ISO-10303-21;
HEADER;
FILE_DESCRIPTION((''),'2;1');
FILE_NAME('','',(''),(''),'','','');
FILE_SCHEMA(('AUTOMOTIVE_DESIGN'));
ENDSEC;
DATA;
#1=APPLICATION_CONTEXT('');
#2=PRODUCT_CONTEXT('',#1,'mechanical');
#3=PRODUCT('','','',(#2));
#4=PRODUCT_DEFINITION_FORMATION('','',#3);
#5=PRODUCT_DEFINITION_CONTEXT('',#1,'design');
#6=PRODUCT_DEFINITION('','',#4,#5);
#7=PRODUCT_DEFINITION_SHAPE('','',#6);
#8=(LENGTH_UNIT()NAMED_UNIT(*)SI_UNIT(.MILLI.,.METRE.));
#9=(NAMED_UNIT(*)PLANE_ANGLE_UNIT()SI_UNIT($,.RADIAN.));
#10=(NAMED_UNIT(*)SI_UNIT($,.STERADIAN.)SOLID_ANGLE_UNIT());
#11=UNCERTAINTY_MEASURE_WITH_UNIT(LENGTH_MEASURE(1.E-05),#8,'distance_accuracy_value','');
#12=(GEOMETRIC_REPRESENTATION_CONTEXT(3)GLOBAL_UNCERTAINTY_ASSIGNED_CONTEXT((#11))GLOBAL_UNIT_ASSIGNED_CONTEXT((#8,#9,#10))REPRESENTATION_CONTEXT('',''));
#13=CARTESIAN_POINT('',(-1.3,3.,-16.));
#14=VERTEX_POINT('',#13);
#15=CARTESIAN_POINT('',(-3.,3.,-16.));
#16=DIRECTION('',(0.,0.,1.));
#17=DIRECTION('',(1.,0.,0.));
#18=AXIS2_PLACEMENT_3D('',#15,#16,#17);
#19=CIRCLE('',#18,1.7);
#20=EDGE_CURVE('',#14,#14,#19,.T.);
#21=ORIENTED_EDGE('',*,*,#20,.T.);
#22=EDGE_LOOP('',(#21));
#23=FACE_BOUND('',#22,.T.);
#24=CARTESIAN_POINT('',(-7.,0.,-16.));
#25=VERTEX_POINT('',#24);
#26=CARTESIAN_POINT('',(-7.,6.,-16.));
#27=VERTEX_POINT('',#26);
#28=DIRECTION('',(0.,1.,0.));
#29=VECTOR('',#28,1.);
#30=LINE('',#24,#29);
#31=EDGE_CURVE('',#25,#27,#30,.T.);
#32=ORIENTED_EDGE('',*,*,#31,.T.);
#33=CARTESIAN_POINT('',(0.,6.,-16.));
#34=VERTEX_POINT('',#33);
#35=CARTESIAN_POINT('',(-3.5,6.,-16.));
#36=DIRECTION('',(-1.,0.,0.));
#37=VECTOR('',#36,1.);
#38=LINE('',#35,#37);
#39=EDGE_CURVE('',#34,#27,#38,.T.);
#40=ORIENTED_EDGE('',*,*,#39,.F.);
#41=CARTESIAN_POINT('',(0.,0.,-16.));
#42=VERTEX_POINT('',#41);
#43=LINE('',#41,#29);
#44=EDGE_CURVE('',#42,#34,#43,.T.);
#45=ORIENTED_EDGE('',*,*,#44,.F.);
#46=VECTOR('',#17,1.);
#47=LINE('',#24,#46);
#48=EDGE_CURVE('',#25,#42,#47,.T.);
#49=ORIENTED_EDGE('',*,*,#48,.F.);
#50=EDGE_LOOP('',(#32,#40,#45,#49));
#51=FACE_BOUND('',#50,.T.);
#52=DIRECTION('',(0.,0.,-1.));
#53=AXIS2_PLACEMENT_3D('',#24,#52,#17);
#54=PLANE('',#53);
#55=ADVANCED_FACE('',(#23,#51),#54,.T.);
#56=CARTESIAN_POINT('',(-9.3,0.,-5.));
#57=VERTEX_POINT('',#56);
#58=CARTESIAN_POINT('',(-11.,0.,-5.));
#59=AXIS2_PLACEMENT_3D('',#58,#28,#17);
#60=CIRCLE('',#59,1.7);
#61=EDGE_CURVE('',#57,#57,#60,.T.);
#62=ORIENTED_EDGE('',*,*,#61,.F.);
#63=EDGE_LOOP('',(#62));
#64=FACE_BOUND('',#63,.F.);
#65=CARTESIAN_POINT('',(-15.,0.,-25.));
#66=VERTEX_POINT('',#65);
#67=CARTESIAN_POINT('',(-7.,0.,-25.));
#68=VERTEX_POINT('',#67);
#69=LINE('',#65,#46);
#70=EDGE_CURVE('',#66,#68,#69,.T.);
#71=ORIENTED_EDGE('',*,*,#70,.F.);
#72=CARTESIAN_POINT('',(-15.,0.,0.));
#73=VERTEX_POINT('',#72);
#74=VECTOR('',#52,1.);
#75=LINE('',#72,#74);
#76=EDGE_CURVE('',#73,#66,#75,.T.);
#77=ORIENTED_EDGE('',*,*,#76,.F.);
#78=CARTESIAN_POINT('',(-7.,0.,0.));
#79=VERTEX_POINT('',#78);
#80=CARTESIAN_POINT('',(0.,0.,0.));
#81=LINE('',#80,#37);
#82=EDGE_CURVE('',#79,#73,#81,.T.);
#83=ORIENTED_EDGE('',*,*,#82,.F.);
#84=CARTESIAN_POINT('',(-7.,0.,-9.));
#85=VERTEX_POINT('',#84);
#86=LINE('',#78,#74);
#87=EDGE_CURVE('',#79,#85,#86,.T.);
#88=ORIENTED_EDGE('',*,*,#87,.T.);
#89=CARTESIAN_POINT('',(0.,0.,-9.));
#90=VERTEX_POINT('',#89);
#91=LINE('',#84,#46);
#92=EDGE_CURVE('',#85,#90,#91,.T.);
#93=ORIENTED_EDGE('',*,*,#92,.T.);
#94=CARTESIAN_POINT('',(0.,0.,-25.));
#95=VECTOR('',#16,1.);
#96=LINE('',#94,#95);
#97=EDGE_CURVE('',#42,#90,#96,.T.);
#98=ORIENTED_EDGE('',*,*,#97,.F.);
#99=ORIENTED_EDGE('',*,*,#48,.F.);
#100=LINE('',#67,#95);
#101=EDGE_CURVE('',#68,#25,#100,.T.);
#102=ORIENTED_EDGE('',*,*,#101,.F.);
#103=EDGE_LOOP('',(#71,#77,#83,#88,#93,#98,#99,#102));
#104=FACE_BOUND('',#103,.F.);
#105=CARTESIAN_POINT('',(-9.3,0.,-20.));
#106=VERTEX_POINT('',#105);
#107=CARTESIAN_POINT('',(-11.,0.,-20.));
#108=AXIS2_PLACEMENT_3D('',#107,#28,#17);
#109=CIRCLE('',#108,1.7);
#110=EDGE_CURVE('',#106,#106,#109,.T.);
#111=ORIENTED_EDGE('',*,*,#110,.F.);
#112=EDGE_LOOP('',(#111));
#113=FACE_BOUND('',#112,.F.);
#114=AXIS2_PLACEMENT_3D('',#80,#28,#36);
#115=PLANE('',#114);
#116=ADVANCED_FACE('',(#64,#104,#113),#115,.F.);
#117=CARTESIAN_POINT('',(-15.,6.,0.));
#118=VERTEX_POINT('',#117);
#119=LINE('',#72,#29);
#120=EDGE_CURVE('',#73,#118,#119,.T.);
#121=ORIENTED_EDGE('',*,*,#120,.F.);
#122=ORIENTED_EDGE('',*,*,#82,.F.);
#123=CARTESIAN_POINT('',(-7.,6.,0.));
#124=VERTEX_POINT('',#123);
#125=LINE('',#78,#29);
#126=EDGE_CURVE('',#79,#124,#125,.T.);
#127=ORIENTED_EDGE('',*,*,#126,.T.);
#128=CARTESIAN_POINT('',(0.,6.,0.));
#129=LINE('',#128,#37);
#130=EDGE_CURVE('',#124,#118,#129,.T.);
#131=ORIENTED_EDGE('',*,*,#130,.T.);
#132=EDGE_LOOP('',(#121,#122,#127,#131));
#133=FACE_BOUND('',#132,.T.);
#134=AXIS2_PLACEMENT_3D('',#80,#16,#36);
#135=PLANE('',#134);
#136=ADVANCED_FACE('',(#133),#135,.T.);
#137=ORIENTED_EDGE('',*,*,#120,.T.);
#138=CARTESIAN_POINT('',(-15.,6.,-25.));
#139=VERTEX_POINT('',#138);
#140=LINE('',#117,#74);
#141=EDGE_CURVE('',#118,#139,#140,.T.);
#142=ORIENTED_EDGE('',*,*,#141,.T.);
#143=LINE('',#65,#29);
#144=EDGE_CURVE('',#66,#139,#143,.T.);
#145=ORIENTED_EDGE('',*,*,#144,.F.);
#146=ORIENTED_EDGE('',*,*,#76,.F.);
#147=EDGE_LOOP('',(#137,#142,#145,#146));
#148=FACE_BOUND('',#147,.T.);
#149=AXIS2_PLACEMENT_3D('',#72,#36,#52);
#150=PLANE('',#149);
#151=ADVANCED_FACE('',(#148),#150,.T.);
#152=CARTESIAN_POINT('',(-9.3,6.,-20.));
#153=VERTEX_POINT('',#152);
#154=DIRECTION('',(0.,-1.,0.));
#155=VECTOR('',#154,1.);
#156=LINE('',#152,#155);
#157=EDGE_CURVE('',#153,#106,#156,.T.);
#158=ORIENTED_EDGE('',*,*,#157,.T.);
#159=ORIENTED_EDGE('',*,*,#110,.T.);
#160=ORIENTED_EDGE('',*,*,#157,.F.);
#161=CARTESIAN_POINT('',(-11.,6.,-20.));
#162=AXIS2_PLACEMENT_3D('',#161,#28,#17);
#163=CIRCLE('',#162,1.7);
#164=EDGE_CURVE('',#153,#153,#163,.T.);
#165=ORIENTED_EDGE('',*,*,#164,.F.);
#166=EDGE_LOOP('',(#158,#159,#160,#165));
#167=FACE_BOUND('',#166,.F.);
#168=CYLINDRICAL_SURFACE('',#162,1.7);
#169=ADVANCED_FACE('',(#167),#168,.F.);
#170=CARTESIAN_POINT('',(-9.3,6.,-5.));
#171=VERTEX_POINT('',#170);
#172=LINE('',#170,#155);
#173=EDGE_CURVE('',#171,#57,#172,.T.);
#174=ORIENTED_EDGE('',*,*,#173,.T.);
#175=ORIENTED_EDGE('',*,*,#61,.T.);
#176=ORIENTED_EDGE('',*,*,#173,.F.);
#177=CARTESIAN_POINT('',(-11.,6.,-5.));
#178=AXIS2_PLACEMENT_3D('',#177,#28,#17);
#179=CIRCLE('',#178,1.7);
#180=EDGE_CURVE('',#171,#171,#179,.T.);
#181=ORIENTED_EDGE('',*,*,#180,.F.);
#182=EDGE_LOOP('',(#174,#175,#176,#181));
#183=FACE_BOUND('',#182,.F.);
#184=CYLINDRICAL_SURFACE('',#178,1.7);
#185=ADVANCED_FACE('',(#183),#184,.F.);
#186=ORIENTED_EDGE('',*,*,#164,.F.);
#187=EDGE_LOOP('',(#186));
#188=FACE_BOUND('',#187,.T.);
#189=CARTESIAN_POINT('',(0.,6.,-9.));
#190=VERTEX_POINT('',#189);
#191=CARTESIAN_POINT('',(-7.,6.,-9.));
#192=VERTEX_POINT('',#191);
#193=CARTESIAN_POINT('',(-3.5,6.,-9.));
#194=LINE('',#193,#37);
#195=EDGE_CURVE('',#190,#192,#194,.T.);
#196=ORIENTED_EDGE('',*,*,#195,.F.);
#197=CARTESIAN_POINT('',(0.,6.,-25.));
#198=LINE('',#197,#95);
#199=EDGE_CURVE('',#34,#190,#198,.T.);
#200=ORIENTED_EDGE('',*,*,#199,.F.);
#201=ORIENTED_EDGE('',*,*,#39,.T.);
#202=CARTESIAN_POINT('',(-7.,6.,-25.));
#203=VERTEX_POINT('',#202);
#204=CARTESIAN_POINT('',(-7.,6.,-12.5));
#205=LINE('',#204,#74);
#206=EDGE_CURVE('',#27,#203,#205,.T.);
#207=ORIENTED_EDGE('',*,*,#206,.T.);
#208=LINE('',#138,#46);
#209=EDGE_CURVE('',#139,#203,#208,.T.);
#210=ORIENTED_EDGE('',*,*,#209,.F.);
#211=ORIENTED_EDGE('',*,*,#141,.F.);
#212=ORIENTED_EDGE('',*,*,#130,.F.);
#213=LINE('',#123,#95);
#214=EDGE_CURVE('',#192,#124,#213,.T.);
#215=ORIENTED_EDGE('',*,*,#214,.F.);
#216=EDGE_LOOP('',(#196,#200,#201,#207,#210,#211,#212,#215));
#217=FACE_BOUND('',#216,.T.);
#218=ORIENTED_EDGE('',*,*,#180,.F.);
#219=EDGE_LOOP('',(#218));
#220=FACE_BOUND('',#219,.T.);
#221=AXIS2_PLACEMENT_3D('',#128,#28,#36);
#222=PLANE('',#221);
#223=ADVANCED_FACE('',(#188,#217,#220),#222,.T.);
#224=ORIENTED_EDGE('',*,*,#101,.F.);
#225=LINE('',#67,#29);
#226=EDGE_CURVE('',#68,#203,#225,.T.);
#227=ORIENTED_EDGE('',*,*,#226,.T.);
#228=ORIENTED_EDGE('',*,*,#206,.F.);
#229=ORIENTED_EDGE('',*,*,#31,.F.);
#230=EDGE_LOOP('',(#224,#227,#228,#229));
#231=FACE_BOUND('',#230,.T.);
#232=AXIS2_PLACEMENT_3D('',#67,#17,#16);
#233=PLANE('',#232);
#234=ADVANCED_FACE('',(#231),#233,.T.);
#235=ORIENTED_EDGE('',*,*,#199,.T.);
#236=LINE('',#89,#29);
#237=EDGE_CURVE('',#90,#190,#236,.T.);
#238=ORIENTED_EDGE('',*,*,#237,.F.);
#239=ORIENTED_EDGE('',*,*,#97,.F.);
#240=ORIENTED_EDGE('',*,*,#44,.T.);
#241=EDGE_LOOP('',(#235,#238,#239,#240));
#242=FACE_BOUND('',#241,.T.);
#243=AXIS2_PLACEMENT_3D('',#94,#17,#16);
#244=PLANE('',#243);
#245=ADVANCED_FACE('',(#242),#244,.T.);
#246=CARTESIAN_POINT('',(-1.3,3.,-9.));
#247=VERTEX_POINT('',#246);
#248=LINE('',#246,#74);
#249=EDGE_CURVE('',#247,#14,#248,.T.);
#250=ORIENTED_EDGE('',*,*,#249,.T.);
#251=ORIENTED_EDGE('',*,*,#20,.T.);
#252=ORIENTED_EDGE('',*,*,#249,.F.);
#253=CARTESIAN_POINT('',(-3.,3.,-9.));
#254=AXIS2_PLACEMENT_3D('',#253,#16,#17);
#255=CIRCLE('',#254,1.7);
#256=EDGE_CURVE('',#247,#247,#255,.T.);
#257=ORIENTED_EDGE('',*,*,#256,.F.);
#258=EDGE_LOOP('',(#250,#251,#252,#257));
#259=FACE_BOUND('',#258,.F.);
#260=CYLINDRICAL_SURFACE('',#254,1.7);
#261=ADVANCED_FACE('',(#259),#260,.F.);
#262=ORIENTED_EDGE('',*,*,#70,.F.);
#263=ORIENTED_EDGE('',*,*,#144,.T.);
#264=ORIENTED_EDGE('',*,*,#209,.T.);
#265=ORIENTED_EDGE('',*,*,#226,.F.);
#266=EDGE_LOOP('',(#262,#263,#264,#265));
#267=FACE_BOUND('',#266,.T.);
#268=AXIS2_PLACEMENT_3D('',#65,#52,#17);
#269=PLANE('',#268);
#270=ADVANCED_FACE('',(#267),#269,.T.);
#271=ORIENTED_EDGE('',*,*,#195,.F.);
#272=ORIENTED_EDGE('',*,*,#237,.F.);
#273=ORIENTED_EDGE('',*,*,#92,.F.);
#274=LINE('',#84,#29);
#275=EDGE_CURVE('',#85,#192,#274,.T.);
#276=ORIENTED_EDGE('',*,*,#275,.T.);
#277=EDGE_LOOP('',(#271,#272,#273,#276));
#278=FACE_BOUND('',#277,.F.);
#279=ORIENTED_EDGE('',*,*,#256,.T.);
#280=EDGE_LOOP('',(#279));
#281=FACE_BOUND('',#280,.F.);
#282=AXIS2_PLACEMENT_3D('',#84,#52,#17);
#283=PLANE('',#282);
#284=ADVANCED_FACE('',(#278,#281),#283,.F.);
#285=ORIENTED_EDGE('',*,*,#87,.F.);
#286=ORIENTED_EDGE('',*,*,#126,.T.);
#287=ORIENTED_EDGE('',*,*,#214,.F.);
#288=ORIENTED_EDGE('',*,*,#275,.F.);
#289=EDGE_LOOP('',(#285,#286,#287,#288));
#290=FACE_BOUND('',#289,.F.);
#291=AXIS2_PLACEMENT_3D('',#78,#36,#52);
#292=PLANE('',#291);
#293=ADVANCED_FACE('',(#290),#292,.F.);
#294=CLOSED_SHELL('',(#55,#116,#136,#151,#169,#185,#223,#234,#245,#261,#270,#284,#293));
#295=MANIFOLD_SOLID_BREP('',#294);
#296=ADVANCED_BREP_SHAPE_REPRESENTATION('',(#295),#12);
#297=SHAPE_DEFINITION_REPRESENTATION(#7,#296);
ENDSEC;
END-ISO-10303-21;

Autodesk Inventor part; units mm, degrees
ref_plane "YZ Plane" through (0, 0, 0) normal (1, 0, 0) x (0, 1, 0)
ref_plane "XZ Plane" through (0, 0, 0) normal (0, 1, 0) x (-1, 0, 0)
ref_plane "XY Plane" through (0, 0, 0) normal (0, 0, 1) x (1, 0, 0)
sketch "Skizze1" plane through (0, 0, 0) normal (0, 1, 0) x (-1, 0, 0)
  line L0 (0, 0) -> (15, 0)
  line L1 (15, 0) -> (15, -25)
  line L2 (15, -25) -> (0, -25)
  line L3 (0, -25) -> (0, 0)
  dimension "d0" = 25
  dimension "d1" = 15
extrude "Extrusion1" add sketch "Skizze1" along normal blind 6
sketch "Skizze3" plane through (0, 0, -25) normal (0, 0, -1) x (-1, 0, 0)
  point P0 (0, 0)
sketch "Skizze6" plane through (0, 6, 0) normal (0, 1, 0) x (1, 0, 0)
  circle A0 centre (-11, 5) radius 1.7
  line L0 (-15, 25) -> (-15, 0) projected
  line L1 (-15, 0) -> (0, 0) projected
  circle A1 centre (-11, 20) radius 1.7
  line L2 (0, 25) -> (-15, 25) projected
  point P0 (0, 30)
  dimension "d11" = 3.4
  dimension "d12" = 4
  dimension "d13" = 5
  dimension "d14" = 3.4
  dimension "d15" = 4
  dimension "d16" = 5
extrude "Extrusion4" cut sketch "Skizze6" against normal blind 30
sketch "Skizze7" plane through (0, 0, 0) normal (0, -1, 0) x (1, 0, 0)
  line L0 (0, -25) -> (-15, -25) projected
  line L1 (0, -25) -> (-7, -25)
  line L2 (-7, -25) -> (-7, -16)
  line L3 (-7, -16) -> (0, -16)
  line L4 (0, -16) -> (0, -25)
  line L5 (-15, 0) -> (0, 0) projected
  line L6 (0, 0) -> (-7, 0)
  line L7 (-7, 0) -> (-7, -9)
  line L8 (-7, -9) -> (0, -9)
  line L9 (0, -9) -> (0, 0)
  dimension "d19" = 7
  dimension "d20" = 9
  dimension "d21" = 7
  dimension "d22" = 9
extrude "Extrusion5" cut sketch "Skizze7" against normal blind 30
sketch "Skizze8" plane through (-7, 0, -9) normal (0, 0, 1) x (1, 0, 0)
  circle A0 centre (4, 3) radius 1.7
  line L0 (7, 0) -> (0, 0) projected
  line L1 (7, 6) -> (7, 0) projected
  dimension "d25" = 3.4
  dimension "d26" = 3
  dimension "d27" = 3
extrude "Extrusion6" cut sketch "Skizze8" against normal blind 30
properties part number "kamera ut" material "CFK"
